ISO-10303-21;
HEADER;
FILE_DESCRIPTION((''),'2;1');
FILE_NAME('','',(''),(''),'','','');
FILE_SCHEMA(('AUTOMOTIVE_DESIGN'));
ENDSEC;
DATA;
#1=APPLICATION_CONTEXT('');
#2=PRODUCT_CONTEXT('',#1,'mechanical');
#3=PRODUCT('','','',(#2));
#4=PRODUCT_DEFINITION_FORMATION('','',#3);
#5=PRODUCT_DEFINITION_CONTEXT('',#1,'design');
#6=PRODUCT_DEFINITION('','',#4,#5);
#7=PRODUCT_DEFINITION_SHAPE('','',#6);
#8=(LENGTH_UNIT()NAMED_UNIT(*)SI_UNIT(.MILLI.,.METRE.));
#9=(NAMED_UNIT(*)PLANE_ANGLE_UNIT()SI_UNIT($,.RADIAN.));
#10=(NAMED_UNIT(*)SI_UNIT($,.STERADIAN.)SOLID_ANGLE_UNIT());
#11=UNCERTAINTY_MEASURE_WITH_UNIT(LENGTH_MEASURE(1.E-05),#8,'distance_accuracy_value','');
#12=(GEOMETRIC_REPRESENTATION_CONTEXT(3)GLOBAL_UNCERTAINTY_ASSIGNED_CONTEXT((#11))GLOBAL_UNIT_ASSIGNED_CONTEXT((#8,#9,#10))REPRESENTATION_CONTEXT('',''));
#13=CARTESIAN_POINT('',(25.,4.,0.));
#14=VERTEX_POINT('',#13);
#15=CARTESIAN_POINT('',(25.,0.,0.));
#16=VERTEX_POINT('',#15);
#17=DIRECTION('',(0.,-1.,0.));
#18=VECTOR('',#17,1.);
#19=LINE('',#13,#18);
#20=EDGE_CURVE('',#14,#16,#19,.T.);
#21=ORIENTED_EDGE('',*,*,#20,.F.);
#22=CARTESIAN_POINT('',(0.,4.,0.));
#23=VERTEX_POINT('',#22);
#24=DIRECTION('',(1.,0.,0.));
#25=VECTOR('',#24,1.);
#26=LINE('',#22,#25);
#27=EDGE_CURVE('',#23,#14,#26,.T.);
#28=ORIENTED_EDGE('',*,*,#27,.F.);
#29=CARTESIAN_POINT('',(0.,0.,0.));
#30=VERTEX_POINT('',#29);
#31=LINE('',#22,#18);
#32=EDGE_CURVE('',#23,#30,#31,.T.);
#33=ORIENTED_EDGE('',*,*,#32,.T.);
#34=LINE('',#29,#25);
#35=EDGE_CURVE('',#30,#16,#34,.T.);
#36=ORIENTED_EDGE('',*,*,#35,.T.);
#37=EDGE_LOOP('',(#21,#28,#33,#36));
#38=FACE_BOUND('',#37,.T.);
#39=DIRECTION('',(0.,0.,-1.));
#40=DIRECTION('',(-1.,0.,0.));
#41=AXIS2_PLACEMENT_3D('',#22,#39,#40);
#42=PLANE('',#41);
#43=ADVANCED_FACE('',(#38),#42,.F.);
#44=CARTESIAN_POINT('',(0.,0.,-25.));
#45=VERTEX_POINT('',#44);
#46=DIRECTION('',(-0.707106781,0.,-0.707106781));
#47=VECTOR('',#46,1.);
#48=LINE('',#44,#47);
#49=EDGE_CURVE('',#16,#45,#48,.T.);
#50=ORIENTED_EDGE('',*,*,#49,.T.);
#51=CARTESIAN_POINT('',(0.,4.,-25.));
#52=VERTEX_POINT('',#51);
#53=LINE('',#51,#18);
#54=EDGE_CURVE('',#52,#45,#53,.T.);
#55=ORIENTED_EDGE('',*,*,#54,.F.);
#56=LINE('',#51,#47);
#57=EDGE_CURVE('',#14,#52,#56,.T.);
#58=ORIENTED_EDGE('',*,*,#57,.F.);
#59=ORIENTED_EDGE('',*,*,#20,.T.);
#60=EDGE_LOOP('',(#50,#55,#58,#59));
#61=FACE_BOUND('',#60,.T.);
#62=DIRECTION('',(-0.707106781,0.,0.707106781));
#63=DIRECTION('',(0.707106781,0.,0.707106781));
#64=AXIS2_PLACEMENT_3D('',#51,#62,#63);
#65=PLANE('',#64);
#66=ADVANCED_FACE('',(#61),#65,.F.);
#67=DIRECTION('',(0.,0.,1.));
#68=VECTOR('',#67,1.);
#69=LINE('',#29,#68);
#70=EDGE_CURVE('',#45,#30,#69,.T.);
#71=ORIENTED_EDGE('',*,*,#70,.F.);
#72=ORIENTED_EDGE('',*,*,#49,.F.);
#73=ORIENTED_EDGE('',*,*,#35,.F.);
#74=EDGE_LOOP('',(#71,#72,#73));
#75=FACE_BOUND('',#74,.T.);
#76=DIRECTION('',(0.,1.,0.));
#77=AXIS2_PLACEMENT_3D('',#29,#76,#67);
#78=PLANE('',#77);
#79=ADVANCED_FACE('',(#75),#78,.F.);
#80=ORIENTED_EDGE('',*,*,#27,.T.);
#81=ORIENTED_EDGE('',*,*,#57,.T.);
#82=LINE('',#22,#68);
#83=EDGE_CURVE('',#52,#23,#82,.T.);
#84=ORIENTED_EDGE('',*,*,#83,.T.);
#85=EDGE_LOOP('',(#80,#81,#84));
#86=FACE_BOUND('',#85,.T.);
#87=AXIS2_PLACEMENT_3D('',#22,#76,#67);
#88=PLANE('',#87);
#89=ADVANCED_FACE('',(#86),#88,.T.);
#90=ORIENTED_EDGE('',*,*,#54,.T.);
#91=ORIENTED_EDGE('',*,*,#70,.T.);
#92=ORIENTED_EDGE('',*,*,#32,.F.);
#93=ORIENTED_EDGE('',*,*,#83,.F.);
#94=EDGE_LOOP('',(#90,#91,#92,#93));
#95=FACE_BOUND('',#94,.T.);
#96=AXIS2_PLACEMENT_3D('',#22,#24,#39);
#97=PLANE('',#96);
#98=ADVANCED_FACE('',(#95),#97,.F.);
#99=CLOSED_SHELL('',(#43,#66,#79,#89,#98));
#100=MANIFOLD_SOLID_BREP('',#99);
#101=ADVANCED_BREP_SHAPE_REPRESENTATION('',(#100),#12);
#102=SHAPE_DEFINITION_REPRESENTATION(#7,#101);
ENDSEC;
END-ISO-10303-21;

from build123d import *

# Parameters (mm, degrees)
EXTRUDE_1_DEPTH = 4


with BuildPart() as part:
    # Эскиз1 → Вытянуть1 (new body)
    with BuildSketch(Plane(origin=(0, 0, 0), x_dir=(1, 0, 0), z_dir=(0, 1, 0))):
        Polygon((0, 0), (0, 25), (25, 0), align=None)
    extrude(amount=EXTRUDE_1_DEPTH)


solid = part.part
